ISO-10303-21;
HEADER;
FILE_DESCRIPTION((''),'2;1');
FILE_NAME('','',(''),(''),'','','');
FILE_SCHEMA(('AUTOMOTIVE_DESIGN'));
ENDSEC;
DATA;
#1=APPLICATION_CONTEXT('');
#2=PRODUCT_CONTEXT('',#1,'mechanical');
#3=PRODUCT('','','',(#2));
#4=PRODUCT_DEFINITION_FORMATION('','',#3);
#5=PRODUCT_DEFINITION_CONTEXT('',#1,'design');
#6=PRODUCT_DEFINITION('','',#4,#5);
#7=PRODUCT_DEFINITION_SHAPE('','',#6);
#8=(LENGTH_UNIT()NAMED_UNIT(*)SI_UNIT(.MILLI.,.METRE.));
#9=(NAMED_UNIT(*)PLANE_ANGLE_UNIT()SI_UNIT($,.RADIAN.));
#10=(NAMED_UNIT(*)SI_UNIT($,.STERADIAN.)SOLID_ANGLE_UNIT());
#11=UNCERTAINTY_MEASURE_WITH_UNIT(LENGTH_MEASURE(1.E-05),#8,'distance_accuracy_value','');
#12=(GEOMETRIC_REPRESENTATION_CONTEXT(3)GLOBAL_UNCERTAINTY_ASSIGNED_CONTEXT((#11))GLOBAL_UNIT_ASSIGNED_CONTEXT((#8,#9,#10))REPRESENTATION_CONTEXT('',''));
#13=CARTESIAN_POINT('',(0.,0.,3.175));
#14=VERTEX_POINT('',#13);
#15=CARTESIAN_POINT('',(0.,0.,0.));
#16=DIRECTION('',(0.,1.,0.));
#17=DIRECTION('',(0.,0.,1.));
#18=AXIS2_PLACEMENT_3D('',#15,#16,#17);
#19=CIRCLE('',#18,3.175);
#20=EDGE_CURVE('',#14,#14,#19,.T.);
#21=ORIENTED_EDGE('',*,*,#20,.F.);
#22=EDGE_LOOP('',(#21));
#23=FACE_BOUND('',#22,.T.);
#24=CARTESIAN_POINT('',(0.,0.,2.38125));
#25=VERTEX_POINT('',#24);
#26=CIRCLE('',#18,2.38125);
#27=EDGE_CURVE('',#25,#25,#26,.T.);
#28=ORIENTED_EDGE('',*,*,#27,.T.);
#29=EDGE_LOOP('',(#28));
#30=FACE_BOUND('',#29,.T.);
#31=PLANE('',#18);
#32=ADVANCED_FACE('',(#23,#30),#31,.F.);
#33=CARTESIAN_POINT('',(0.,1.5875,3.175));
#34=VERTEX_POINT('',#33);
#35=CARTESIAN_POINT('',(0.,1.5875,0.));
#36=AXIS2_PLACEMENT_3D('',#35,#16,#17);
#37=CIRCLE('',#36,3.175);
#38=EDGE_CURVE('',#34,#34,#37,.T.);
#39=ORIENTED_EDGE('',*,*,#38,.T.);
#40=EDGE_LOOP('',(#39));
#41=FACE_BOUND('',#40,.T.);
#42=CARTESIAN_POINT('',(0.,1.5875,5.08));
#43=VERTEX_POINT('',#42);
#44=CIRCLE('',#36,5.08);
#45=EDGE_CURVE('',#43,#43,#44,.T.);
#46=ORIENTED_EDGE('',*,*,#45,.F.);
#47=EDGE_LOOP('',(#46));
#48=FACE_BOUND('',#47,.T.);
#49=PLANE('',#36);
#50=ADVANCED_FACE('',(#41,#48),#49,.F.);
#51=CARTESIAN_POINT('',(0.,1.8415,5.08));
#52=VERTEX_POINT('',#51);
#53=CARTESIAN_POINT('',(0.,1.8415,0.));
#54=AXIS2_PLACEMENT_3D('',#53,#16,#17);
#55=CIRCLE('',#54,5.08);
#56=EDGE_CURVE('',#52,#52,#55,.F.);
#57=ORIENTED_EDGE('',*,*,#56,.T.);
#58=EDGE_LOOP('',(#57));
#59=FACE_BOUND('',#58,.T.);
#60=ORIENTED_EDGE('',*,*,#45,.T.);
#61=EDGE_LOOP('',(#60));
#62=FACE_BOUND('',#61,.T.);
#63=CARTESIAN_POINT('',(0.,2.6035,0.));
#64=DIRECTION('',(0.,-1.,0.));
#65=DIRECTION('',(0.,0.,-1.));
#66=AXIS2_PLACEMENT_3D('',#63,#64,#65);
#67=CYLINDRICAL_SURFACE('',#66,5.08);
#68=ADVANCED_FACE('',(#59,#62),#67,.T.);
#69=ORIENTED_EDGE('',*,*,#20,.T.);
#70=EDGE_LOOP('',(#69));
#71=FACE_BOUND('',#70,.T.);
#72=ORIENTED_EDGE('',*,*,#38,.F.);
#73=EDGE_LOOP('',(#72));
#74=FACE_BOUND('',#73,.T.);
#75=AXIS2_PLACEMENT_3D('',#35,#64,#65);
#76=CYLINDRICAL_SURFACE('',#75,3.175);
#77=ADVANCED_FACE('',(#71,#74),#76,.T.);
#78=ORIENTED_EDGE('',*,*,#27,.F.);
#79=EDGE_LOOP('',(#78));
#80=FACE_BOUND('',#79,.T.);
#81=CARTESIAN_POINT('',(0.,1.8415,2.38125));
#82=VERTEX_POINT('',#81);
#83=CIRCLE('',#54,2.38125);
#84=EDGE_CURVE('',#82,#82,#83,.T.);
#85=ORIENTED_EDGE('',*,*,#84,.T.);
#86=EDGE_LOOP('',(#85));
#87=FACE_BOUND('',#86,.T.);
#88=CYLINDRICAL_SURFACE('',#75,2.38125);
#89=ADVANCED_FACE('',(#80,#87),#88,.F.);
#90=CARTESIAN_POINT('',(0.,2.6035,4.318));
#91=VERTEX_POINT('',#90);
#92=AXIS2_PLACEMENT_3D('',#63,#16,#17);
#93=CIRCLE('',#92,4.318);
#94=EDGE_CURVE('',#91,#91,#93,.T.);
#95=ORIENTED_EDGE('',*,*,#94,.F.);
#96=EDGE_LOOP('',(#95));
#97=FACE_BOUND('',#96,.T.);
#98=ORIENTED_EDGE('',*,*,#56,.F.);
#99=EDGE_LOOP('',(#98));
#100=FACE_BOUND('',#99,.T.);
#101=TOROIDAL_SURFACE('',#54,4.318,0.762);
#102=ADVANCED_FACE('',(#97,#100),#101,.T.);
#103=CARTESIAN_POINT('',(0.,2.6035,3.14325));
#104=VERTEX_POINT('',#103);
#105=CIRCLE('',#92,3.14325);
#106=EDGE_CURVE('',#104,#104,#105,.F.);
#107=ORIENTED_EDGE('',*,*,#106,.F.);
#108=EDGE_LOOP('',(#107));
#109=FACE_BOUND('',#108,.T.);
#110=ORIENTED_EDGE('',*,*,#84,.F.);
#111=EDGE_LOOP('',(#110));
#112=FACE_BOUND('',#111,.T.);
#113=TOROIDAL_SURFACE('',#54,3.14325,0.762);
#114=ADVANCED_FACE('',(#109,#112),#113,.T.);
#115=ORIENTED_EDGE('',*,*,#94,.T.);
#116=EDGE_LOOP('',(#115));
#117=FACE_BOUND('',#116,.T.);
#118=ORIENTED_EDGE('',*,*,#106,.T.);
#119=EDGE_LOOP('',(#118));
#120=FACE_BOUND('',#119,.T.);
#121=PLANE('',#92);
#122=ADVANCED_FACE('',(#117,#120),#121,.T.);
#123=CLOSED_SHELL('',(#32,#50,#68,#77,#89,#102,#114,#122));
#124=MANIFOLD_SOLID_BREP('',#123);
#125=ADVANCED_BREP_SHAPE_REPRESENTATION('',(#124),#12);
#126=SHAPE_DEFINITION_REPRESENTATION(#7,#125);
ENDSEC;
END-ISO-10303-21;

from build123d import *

# Parameters (mm, degrees)
SKETCH1_R           = 3.175
SKETCH1_R_2         = 2.38125
BOSS_EXTRUDE1_DEPTH = 1.5875
SKETCH2_R           = 5.08
SKETCH2_R_2         = 2.38125
BOSS_EXTRUDE2_DEPTH = 1.016
FILLET1_R           = 0.762


with BuildPart() as part:
    # Sketch1 → Boss-Extrude1 (new body)
    with BuildSketch(Plane(origin=(0, 0, 0), x_dir=(1, 0, 0), z_dir=(0, 1, 0))):
        Circle(SKETCH1_R)
        Circle(SKETCH1_R_2, mode=Mode.SUBTRACT)
    extrude(amount=BOSS_EXTRUDE1_DEPTH)

    # Sketch2 → Boss-Extrude2 (add)
    with BuildSketch(Plane(origin=(0, 1.5875, 0), x_dir=(1, 0, 0), z_dir=(0, 1, 0))):
        Circle(SKETCH2_R)
        Circle(SKETCH2_R_2, mode=Mode.SUBTRACT)
    extrude(amount=BOSS_EXTRUDE2_DEPTH)

    # Fillet1
    fillet1_edges = [part.edges().sort_by_distance(p)[0] for p in [
        (-2.38125, 2.6035, 0),
        (-5.08, 2.6035, 0),
    ]]
    fillet(fillet1_edges, radius=FILLET1_R)


solid = part.part
